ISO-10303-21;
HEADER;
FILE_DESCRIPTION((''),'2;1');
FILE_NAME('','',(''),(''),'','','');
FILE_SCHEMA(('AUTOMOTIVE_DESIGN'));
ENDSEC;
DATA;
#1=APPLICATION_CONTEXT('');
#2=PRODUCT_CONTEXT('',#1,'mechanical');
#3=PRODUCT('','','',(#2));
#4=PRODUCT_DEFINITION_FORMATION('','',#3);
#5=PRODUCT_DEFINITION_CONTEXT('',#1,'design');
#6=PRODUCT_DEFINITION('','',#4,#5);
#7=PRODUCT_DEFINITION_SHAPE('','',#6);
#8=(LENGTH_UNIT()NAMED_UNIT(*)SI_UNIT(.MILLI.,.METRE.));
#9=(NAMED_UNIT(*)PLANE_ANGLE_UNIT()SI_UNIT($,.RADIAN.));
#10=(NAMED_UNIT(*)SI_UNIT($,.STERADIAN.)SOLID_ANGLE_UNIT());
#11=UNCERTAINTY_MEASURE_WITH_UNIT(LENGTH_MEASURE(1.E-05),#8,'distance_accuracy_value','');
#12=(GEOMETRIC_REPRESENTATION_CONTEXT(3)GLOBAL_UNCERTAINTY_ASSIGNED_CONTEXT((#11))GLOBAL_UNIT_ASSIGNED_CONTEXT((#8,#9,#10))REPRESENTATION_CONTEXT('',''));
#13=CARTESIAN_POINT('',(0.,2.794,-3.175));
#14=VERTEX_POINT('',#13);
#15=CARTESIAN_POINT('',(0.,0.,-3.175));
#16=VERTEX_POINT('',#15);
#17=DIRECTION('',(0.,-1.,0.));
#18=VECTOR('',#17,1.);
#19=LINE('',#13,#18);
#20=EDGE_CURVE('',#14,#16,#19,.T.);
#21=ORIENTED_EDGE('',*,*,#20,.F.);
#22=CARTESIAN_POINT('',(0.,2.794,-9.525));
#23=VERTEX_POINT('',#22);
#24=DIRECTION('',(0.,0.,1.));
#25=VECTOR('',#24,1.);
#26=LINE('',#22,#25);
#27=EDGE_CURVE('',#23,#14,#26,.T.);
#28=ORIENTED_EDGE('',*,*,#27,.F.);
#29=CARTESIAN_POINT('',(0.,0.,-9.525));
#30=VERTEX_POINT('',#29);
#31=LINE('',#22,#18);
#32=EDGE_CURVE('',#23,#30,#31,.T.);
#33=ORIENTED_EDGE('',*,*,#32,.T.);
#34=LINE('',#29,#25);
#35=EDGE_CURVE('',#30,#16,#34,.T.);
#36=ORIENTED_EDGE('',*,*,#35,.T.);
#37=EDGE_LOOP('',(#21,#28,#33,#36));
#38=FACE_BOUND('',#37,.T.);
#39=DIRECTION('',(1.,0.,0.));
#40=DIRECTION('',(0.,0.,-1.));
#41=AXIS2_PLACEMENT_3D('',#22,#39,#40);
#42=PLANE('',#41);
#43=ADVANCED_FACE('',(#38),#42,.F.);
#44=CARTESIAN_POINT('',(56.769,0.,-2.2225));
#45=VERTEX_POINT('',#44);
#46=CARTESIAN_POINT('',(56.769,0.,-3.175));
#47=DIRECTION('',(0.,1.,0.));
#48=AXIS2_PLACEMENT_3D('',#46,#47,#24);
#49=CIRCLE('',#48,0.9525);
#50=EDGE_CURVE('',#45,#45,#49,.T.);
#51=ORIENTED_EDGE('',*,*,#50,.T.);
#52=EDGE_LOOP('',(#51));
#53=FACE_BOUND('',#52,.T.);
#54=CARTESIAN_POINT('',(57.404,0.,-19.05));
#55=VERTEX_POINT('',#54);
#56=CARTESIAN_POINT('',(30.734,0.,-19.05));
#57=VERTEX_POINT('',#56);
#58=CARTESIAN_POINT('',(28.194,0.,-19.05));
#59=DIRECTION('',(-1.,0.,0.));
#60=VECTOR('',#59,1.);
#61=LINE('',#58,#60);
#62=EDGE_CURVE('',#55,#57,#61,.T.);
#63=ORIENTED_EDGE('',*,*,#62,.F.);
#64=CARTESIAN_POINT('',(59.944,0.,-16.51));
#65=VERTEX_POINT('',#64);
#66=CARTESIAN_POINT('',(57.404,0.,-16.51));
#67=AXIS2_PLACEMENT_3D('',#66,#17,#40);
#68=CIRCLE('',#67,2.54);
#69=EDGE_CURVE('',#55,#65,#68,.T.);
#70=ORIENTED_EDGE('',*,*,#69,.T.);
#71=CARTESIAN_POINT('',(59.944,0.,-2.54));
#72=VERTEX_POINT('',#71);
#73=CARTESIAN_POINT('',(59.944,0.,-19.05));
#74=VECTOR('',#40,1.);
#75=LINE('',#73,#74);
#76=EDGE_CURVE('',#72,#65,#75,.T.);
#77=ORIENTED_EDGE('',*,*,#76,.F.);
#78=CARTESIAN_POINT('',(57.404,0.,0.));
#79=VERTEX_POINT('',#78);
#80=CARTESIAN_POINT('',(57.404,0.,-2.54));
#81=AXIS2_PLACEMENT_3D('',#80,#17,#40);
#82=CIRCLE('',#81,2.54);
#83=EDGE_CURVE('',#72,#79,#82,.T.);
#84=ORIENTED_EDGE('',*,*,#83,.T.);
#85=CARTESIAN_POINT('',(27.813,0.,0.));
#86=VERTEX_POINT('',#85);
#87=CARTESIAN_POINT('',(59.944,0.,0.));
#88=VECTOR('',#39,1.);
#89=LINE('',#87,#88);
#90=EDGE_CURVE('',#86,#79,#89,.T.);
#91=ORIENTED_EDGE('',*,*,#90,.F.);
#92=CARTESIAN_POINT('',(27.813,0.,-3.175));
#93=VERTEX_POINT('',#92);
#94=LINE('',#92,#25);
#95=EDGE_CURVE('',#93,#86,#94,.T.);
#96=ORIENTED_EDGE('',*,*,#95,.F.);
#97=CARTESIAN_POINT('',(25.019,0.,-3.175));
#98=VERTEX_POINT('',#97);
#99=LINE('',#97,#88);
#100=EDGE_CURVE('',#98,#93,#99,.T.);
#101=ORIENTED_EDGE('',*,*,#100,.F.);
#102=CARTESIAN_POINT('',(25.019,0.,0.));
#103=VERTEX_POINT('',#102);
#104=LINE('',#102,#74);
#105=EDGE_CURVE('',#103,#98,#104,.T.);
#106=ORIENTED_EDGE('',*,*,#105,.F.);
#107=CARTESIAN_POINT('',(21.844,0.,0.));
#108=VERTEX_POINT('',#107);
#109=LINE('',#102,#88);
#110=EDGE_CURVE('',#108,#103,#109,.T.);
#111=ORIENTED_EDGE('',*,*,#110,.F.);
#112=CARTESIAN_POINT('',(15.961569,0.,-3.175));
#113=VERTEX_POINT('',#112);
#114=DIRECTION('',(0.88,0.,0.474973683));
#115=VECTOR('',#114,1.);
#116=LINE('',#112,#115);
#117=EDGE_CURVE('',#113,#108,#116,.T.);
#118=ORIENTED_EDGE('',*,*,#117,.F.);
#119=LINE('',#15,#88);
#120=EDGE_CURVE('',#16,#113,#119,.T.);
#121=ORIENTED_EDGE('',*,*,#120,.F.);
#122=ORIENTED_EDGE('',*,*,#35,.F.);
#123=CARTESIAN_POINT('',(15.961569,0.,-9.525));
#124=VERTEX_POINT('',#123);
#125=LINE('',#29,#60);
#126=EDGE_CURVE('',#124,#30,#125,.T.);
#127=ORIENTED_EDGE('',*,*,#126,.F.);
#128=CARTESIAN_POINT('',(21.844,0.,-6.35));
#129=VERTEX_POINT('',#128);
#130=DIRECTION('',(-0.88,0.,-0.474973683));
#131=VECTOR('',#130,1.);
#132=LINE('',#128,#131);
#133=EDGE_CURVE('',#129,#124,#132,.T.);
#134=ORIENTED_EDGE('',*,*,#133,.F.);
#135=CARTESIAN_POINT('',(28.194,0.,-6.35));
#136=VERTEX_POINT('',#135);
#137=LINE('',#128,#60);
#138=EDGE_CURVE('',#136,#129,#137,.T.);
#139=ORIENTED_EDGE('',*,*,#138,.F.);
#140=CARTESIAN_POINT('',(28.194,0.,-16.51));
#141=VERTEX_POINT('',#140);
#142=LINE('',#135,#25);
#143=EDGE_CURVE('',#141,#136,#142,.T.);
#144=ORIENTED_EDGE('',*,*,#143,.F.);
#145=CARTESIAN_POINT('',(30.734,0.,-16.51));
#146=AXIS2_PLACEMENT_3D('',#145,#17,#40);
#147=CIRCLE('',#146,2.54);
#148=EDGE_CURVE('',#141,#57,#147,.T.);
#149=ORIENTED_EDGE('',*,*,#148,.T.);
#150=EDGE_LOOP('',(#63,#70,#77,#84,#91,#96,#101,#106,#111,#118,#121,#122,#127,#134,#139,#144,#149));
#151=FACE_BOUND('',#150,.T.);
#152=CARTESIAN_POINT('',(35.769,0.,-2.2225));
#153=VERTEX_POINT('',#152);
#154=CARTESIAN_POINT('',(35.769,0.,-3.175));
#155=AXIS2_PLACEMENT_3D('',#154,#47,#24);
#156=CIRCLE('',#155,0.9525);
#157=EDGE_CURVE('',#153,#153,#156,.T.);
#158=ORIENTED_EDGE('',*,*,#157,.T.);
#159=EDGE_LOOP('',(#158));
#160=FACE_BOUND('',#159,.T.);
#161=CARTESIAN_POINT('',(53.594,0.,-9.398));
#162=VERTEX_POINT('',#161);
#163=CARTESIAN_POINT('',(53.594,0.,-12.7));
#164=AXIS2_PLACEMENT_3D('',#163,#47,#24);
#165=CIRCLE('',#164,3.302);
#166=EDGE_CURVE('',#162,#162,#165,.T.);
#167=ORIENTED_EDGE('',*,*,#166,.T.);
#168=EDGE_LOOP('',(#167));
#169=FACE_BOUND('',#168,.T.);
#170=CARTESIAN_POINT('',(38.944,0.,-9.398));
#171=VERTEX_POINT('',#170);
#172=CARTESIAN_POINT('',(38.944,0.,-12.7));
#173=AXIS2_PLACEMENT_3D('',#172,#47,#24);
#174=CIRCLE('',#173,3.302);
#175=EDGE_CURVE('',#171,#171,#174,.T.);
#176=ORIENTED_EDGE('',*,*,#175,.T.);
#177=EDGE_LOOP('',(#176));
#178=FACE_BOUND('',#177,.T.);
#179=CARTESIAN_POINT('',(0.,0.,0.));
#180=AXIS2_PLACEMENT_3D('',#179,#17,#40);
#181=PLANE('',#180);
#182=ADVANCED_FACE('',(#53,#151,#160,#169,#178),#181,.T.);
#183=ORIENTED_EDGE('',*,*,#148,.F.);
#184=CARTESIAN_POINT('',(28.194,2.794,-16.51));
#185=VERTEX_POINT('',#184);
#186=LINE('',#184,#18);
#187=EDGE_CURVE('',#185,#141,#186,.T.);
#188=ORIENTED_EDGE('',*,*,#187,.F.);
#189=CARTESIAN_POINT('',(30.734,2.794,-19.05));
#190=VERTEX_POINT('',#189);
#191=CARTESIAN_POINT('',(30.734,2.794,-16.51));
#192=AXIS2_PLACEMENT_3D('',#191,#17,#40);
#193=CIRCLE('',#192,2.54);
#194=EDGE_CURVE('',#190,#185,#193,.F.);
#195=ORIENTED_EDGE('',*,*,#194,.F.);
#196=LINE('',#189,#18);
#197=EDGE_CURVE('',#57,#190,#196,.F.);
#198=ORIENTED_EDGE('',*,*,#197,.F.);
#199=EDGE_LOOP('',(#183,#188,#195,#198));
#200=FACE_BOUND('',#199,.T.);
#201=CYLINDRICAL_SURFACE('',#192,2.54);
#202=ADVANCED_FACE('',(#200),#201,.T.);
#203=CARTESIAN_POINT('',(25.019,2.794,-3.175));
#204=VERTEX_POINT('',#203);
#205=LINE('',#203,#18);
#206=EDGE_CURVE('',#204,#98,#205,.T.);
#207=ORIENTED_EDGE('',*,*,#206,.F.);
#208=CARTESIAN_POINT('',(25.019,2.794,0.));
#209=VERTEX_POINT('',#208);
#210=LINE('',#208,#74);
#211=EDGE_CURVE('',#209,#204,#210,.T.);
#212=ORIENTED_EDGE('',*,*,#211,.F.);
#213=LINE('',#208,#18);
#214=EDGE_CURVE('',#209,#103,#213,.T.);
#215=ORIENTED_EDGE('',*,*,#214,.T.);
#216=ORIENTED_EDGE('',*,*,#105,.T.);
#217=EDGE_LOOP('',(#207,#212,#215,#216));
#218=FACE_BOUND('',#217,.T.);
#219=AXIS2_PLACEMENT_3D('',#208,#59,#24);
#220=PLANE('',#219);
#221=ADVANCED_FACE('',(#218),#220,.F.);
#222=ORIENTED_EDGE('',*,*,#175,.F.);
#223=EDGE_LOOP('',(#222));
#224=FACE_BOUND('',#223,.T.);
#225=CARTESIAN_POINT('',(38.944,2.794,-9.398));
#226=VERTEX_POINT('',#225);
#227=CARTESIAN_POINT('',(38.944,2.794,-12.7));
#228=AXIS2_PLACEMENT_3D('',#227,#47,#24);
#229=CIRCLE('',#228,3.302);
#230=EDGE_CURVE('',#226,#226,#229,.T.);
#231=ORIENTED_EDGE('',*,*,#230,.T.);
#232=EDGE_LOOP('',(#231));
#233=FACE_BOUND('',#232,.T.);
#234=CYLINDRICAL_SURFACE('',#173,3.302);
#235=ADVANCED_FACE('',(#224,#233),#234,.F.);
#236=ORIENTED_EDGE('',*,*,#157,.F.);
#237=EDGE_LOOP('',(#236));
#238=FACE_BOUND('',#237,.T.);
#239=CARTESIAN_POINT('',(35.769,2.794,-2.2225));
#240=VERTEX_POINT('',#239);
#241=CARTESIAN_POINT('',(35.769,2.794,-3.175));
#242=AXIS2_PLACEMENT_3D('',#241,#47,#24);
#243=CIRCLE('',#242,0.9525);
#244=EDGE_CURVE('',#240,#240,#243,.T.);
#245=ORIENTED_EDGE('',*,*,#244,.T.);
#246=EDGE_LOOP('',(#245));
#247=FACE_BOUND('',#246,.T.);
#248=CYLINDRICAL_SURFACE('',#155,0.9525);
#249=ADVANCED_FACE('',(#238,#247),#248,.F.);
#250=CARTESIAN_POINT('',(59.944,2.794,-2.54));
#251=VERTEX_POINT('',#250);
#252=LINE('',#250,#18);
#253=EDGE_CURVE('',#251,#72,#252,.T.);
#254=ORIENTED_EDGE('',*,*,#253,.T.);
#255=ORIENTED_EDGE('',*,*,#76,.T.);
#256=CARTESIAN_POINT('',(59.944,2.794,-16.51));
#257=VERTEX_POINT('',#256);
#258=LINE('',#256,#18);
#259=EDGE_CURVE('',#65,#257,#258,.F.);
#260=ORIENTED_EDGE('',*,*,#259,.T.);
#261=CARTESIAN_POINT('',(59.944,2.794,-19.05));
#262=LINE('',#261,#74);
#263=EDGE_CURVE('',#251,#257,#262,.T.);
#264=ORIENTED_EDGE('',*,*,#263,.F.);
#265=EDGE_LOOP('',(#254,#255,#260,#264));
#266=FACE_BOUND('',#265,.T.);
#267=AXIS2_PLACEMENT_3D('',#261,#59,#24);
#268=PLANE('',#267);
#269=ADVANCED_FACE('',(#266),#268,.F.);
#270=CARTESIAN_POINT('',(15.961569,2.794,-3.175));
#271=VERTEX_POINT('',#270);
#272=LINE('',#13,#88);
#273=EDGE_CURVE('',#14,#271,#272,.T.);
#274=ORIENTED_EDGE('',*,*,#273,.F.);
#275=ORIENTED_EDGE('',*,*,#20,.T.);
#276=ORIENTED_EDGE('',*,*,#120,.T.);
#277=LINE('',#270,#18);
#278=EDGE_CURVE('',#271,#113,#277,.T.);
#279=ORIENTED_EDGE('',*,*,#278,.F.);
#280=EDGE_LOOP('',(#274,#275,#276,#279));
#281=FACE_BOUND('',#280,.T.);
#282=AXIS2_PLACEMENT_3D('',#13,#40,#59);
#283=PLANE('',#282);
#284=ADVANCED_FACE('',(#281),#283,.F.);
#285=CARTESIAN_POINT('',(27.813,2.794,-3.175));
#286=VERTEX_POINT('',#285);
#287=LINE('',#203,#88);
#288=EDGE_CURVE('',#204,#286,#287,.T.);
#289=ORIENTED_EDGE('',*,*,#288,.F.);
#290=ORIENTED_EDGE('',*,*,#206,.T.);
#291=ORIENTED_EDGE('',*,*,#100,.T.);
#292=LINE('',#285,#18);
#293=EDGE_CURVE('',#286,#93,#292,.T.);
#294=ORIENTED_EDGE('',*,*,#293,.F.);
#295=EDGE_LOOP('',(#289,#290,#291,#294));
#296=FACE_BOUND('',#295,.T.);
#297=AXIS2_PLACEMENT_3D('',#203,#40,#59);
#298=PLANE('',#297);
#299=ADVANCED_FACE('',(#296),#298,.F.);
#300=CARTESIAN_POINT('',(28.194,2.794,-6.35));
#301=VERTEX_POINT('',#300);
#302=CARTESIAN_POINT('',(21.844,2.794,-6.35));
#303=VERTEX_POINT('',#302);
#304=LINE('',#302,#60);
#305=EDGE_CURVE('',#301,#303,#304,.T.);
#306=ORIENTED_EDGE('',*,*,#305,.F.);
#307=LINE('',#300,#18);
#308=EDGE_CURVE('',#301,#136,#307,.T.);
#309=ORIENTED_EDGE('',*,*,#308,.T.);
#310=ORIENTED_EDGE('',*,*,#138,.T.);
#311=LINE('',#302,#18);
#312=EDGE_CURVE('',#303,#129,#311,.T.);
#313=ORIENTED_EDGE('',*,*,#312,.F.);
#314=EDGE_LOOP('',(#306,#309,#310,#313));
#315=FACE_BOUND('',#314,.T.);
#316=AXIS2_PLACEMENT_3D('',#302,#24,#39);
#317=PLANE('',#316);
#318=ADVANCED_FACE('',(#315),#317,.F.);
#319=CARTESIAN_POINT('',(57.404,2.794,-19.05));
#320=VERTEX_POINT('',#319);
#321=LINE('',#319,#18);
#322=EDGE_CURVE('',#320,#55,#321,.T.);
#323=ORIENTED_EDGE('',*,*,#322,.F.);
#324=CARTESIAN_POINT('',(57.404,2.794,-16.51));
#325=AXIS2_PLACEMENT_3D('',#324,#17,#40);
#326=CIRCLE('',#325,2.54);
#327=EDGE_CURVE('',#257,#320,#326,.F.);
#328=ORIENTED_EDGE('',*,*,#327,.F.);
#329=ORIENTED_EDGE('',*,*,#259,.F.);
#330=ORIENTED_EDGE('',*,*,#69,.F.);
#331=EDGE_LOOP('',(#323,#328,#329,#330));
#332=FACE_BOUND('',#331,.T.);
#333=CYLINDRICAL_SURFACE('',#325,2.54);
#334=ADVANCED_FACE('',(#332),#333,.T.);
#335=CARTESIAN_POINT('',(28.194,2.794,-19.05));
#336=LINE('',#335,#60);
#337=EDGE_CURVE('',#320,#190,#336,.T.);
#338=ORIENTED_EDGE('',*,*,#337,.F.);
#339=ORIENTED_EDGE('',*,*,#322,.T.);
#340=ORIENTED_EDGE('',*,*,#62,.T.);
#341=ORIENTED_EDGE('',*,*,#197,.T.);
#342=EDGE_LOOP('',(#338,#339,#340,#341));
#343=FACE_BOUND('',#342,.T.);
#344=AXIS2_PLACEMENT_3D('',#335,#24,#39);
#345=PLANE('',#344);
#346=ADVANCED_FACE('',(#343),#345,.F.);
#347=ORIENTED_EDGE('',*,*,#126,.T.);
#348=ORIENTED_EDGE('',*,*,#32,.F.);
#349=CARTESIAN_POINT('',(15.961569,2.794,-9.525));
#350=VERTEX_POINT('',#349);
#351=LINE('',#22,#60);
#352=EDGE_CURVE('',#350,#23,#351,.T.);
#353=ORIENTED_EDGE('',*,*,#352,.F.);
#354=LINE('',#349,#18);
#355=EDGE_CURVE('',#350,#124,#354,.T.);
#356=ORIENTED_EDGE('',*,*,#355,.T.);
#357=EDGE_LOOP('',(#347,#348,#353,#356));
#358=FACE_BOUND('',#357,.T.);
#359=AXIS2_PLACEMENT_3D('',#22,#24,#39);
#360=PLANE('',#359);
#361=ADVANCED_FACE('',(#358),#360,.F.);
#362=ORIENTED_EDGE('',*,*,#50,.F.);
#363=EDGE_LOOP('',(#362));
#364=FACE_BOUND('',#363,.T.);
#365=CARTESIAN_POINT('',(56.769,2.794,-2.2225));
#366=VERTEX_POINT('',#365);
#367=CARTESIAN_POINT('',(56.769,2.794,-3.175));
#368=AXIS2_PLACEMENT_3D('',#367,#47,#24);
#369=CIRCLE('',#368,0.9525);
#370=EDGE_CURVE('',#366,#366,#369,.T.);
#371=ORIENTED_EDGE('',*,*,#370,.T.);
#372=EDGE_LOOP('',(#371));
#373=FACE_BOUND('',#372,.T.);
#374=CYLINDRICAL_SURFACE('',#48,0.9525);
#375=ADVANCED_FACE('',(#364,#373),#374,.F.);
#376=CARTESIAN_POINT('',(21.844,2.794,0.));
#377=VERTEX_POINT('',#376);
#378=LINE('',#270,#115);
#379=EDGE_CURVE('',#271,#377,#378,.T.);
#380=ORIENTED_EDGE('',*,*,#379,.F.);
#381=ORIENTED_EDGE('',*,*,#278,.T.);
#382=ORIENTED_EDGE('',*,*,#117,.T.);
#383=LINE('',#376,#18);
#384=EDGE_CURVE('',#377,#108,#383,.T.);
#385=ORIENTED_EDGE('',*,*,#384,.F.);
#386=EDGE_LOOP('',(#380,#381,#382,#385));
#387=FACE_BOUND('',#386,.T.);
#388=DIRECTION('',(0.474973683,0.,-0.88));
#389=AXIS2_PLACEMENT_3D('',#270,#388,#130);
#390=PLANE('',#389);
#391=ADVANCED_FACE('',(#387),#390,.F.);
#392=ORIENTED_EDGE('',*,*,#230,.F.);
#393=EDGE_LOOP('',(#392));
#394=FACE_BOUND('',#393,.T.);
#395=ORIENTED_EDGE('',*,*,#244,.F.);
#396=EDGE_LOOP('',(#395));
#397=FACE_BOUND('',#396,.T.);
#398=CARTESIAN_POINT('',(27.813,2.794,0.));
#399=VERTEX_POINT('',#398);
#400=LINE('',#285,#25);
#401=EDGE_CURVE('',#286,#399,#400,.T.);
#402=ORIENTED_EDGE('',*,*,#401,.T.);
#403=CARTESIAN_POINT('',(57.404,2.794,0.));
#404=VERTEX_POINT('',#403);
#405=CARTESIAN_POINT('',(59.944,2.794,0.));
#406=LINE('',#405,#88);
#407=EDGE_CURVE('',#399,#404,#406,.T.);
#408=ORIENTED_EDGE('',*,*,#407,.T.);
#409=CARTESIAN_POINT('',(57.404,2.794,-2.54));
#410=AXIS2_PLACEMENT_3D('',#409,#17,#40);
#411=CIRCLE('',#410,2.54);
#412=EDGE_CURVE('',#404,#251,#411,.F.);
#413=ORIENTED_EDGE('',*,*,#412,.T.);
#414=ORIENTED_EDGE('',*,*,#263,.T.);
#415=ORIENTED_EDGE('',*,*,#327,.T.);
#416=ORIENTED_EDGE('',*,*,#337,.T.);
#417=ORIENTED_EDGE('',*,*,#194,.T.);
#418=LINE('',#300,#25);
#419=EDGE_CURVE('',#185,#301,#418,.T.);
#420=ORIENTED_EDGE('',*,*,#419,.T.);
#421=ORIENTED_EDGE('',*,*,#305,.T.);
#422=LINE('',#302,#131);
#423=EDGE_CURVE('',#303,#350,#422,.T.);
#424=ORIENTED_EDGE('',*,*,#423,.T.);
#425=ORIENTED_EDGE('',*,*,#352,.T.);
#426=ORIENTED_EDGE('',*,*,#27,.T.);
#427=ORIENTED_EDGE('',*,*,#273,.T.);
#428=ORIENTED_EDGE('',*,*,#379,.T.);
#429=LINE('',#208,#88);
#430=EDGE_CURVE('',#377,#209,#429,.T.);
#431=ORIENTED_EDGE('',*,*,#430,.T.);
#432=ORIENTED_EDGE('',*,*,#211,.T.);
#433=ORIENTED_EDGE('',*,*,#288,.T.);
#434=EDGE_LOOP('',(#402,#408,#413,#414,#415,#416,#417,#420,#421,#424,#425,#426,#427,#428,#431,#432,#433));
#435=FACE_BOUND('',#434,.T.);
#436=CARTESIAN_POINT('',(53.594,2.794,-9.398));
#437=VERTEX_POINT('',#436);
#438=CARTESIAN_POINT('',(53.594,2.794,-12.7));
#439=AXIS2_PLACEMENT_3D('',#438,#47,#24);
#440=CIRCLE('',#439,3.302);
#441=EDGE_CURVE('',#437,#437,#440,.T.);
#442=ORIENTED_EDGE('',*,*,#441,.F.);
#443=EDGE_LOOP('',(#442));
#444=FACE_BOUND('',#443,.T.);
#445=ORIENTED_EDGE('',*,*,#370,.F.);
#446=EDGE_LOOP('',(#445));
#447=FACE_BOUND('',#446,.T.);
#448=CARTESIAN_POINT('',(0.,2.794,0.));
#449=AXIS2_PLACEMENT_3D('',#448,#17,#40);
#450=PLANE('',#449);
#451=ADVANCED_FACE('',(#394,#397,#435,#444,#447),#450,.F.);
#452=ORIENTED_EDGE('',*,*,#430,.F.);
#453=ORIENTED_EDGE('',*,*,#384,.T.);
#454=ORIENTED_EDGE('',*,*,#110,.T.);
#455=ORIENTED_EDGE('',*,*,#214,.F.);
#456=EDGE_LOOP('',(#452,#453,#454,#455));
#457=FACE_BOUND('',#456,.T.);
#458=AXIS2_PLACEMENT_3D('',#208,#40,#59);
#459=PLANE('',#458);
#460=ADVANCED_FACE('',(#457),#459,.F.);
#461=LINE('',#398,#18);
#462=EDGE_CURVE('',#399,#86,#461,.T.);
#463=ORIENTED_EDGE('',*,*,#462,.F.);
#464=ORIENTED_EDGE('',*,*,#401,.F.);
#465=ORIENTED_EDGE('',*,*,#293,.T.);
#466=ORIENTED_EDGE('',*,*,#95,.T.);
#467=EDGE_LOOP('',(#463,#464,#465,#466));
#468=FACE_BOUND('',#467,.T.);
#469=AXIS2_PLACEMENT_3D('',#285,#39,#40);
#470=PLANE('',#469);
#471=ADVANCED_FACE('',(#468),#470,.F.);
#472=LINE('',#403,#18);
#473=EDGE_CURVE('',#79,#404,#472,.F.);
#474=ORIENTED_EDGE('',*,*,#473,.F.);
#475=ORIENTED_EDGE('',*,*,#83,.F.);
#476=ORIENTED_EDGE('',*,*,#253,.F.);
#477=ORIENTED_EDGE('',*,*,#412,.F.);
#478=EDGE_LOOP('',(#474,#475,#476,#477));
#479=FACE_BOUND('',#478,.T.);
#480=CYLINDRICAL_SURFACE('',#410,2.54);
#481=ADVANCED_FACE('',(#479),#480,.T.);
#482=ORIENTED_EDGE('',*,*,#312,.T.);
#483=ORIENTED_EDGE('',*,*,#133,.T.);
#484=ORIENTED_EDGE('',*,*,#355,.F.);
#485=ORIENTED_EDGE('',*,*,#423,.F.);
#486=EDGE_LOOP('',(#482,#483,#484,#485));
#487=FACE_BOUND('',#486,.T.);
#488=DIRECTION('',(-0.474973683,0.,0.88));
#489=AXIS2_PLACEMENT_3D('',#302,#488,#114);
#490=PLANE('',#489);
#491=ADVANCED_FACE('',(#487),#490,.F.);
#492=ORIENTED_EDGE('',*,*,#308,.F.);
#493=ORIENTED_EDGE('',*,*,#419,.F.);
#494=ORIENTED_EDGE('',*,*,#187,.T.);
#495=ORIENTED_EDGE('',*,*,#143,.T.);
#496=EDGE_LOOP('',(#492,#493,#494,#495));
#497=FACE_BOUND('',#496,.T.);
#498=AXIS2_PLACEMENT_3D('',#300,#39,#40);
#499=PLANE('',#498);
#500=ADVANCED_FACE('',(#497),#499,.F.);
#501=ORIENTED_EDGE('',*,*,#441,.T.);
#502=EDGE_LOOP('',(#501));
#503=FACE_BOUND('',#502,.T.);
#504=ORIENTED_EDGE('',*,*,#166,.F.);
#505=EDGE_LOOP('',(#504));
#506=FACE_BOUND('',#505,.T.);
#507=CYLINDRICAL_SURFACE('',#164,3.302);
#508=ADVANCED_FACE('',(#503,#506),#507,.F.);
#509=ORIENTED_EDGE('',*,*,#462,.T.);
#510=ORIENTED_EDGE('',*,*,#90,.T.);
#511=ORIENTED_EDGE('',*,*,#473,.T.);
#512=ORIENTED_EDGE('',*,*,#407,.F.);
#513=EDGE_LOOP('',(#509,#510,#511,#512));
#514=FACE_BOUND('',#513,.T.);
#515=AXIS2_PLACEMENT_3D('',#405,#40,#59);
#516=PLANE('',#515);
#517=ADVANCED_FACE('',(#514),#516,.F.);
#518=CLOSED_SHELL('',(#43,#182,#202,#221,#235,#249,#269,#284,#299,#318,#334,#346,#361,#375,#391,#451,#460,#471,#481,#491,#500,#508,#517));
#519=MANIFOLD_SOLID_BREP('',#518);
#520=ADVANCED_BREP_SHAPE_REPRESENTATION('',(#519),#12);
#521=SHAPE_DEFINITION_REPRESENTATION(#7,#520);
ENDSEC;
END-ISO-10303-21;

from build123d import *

# Parameters (mm, degrees)
BOSS_EXTRUDE1_DEPTH = 2.794
SKETCH2_R           = 0.9525
SKETCH2_R_2         = 3.302
CUT_EXTRUDE1_DEPTH  = 63.960241994
FILLET2_R           = 2.54


with BuildPart() as part:
    # Sketch1 → Boss-Extrude1 (new body)
    with BuildSketch(Plane(origin=(0, 0, 0), x_dir=(1, 0, 0), z_dir=(0, 1, 0))):
        Polygon((59.944, 0), (27.813, 0), (27.813, 3.175), (25.019, 3.175), (25.019, 0), (21.844, 0), (15.961568831, 3.175), (0, 3.175), (0, 9.525), (15.961568831, 9.525), (21.844, 6.35), (28.194, 6.35), (28.194, 19.05), (59.944, 19.05), align=None)
    extrude(amount=BOSS_EXTRUDE1_DEPTH)

    # Sketch2 → Cut-Extrude1 (cut, through all)
    with BuildSketch(Plane(origin=(0, 2.794, 0), x_dir=(1, 0, 0), z_dir=(0, 1, 0))):
        with Locations((56.769, 3.175)):
            Circle(SKETCH2_R)
        with Locations((35.769, 3.175)):
            Circle(SKETCH2_R)
        with Locations((53.594, 12.7)):
            Circle(SKETCH2_R_2)
        with Locations((38.944, 12.7)):
            Circle(SKETCH2_R_2)
    extrude(amount=-CUT_EXTRUDE1_DEPTH, mode=Mode.SUBTRACT)

    # Fillet2
    fillet2_edges = [part.edges().sort_by_distance(p)[0] for p in [
        (59.944, 1.397, 0),
        (59.944, 1.397, -19.05),
        (28.194, 1.397, -19.05),
    ]]
    fillet(fillet2_edges, radius=FILLET2_R)


solid = part.part
